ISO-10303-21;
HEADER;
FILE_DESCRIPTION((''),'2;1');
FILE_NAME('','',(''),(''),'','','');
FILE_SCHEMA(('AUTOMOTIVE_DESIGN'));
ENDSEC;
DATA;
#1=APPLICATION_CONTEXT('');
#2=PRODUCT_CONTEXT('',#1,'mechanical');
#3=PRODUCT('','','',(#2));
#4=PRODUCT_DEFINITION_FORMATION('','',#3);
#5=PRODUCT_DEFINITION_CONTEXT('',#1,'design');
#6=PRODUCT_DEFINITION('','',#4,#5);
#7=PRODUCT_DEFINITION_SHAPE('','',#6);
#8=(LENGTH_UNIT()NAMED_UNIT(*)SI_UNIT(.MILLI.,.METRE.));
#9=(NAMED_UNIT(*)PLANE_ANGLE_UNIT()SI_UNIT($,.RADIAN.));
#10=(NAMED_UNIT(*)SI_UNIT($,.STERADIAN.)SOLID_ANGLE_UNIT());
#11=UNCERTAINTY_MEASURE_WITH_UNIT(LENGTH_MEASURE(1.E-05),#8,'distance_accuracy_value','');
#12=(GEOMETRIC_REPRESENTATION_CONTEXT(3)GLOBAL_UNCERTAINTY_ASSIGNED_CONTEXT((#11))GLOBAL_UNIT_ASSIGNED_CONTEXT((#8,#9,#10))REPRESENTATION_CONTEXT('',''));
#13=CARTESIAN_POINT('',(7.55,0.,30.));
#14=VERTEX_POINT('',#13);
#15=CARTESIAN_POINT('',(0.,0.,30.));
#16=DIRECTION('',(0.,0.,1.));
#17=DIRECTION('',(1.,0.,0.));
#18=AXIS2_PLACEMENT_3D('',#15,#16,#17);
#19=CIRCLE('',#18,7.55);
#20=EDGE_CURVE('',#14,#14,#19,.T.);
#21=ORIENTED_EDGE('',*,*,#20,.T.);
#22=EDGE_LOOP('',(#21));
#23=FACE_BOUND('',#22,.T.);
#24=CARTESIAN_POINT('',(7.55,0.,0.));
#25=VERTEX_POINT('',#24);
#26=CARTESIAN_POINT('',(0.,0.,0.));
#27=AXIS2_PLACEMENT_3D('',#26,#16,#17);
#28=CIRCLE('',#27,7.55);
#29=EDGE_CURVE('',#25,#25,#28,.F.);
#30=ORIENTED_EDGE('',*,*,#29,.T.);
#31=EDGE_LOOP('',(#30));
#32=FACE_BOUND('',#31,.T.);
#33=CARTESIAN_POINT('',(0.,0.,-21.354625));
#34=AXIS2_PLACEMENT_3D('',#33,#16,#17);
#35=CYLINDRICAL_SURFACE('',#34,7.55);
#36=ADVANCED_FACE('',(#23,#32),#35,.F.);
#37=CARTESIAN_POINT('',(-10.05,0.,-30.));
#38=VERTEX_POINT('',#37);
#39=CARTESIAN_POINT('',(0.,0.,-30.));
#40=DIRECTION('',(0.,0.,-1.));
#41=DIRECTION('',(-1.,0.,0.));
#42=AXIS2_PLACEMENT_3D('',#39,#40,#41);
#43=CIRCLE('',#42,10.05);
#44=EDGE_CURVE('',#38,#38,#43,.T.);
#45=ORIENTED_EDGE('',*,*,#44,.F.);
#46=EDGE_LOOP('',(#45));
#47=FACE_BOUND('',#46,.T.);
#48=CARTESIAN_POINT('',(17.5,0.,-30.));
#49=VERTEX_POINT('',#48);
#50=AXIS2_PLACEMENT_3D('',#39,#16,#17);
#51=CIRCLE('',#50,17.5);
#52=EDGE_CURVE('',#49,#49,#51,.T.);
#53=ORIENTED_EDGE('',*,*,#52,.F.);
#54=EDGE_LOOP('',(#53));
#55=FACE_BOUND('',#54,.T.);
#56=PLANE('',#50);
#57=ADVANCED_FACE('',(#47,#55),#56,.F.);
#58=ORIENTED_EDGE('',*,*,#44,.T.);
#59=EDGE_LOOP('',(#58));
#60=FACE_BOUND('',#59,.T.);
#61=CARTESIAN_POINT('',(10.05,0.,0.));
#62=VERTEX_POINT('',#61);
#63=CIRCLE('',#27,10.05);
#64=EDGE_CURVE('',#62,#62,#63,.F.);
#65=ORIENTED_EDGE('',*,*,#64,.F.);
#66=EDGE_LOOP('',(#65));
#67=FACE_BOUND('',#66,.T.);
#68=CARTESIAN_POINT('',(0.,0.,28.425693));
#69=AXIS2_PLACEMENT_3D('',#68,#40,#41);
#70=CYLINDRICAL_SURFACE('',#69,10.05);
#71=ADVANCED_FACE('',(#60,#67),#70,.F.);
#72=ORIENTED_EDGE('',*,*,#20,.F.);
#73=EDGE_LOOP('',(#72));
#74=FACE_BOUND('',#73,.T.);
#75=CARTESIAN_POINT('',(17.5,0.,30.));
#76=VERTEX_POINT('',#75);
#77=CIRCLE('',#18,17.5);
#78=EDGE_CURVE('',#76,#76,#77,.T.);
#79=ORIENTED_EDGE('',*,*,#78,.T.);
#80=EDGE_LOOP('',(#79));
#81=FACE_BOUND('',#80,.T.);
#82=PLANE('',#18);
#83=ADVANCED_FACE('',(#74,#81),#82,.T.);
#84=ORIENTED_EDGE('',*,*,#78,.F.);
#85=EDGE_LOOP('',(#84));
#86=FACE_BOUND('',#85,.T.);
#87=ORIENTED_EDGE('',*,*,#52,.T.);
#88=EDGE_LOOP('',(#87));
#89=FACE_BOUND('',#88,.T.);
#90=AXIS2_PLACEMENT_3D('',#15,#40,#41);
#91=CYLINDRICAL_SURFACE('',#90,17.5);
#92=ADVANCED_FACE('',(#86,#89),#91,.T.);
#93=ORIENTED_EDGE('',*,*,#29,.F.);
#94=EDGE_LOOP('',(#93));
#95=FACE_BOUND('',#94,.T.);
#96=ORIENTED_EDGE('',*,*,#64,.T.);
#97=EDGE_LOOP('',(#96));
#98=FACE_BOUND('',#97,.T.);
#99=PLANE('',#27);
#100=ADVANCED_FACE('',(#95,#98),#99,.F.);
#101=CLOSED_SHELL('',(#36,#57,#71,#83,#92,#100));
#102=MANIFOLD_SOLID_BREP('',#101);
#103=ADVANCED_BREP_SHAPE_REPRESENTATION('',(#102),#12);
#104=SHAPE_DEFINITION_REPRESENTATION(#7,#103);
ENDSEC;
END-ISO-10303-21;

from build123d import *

# Parameters (mm, degrees)
ESQUISSE1_R             = 17.5
BOSS_EXTRU_1_DEPTH      = 30
ENL_V_START             = -30
ESQUISSE2_R             = 7.55
ENL_V_MAT_EXTRU_1_DEPTH = 30
ESQUISSE3_R             = 10.05
ENL_V_MAT_EXTRU_2_DEPTH = 30


with BuildPart() as part:
    # Esquisse1 → Boss.-Extru.1 (new body, symmetric)
    with BuildSketch(Plane.XY):
        Circle(ESQUISSE1_R)
    extrude(amount=BOSS_EXTRU_1_DEPTH, both=True)

    # Esquisse2 → Enlèv. mat.-Extru.1 (cut)
    with BuildSketch(Plane.XY.offset(30).offset(ENL_V_START)):
        Circle(ESQUISSE2_R)
    extrude(amount=ENL_V_MAT_EXTRU_1_DEPTH, mode=Mode.SUBTRACT)

    # Esquisse3 → Enlèv. mat.-Extru.2 (cut)
    with BuildSketch(Plane(origin=(0, 0, -30), x_dir=(-1, 0, 0), z_dir=(0, 0, -1)).offset(ENL_V_START)):
        Circle(ESQUISSE3_R)
    extrude(amount=ENL_V_MAT_EXTRU_2_DEPTH, mode=Mode.SUBTRACT)


solid = part.part
